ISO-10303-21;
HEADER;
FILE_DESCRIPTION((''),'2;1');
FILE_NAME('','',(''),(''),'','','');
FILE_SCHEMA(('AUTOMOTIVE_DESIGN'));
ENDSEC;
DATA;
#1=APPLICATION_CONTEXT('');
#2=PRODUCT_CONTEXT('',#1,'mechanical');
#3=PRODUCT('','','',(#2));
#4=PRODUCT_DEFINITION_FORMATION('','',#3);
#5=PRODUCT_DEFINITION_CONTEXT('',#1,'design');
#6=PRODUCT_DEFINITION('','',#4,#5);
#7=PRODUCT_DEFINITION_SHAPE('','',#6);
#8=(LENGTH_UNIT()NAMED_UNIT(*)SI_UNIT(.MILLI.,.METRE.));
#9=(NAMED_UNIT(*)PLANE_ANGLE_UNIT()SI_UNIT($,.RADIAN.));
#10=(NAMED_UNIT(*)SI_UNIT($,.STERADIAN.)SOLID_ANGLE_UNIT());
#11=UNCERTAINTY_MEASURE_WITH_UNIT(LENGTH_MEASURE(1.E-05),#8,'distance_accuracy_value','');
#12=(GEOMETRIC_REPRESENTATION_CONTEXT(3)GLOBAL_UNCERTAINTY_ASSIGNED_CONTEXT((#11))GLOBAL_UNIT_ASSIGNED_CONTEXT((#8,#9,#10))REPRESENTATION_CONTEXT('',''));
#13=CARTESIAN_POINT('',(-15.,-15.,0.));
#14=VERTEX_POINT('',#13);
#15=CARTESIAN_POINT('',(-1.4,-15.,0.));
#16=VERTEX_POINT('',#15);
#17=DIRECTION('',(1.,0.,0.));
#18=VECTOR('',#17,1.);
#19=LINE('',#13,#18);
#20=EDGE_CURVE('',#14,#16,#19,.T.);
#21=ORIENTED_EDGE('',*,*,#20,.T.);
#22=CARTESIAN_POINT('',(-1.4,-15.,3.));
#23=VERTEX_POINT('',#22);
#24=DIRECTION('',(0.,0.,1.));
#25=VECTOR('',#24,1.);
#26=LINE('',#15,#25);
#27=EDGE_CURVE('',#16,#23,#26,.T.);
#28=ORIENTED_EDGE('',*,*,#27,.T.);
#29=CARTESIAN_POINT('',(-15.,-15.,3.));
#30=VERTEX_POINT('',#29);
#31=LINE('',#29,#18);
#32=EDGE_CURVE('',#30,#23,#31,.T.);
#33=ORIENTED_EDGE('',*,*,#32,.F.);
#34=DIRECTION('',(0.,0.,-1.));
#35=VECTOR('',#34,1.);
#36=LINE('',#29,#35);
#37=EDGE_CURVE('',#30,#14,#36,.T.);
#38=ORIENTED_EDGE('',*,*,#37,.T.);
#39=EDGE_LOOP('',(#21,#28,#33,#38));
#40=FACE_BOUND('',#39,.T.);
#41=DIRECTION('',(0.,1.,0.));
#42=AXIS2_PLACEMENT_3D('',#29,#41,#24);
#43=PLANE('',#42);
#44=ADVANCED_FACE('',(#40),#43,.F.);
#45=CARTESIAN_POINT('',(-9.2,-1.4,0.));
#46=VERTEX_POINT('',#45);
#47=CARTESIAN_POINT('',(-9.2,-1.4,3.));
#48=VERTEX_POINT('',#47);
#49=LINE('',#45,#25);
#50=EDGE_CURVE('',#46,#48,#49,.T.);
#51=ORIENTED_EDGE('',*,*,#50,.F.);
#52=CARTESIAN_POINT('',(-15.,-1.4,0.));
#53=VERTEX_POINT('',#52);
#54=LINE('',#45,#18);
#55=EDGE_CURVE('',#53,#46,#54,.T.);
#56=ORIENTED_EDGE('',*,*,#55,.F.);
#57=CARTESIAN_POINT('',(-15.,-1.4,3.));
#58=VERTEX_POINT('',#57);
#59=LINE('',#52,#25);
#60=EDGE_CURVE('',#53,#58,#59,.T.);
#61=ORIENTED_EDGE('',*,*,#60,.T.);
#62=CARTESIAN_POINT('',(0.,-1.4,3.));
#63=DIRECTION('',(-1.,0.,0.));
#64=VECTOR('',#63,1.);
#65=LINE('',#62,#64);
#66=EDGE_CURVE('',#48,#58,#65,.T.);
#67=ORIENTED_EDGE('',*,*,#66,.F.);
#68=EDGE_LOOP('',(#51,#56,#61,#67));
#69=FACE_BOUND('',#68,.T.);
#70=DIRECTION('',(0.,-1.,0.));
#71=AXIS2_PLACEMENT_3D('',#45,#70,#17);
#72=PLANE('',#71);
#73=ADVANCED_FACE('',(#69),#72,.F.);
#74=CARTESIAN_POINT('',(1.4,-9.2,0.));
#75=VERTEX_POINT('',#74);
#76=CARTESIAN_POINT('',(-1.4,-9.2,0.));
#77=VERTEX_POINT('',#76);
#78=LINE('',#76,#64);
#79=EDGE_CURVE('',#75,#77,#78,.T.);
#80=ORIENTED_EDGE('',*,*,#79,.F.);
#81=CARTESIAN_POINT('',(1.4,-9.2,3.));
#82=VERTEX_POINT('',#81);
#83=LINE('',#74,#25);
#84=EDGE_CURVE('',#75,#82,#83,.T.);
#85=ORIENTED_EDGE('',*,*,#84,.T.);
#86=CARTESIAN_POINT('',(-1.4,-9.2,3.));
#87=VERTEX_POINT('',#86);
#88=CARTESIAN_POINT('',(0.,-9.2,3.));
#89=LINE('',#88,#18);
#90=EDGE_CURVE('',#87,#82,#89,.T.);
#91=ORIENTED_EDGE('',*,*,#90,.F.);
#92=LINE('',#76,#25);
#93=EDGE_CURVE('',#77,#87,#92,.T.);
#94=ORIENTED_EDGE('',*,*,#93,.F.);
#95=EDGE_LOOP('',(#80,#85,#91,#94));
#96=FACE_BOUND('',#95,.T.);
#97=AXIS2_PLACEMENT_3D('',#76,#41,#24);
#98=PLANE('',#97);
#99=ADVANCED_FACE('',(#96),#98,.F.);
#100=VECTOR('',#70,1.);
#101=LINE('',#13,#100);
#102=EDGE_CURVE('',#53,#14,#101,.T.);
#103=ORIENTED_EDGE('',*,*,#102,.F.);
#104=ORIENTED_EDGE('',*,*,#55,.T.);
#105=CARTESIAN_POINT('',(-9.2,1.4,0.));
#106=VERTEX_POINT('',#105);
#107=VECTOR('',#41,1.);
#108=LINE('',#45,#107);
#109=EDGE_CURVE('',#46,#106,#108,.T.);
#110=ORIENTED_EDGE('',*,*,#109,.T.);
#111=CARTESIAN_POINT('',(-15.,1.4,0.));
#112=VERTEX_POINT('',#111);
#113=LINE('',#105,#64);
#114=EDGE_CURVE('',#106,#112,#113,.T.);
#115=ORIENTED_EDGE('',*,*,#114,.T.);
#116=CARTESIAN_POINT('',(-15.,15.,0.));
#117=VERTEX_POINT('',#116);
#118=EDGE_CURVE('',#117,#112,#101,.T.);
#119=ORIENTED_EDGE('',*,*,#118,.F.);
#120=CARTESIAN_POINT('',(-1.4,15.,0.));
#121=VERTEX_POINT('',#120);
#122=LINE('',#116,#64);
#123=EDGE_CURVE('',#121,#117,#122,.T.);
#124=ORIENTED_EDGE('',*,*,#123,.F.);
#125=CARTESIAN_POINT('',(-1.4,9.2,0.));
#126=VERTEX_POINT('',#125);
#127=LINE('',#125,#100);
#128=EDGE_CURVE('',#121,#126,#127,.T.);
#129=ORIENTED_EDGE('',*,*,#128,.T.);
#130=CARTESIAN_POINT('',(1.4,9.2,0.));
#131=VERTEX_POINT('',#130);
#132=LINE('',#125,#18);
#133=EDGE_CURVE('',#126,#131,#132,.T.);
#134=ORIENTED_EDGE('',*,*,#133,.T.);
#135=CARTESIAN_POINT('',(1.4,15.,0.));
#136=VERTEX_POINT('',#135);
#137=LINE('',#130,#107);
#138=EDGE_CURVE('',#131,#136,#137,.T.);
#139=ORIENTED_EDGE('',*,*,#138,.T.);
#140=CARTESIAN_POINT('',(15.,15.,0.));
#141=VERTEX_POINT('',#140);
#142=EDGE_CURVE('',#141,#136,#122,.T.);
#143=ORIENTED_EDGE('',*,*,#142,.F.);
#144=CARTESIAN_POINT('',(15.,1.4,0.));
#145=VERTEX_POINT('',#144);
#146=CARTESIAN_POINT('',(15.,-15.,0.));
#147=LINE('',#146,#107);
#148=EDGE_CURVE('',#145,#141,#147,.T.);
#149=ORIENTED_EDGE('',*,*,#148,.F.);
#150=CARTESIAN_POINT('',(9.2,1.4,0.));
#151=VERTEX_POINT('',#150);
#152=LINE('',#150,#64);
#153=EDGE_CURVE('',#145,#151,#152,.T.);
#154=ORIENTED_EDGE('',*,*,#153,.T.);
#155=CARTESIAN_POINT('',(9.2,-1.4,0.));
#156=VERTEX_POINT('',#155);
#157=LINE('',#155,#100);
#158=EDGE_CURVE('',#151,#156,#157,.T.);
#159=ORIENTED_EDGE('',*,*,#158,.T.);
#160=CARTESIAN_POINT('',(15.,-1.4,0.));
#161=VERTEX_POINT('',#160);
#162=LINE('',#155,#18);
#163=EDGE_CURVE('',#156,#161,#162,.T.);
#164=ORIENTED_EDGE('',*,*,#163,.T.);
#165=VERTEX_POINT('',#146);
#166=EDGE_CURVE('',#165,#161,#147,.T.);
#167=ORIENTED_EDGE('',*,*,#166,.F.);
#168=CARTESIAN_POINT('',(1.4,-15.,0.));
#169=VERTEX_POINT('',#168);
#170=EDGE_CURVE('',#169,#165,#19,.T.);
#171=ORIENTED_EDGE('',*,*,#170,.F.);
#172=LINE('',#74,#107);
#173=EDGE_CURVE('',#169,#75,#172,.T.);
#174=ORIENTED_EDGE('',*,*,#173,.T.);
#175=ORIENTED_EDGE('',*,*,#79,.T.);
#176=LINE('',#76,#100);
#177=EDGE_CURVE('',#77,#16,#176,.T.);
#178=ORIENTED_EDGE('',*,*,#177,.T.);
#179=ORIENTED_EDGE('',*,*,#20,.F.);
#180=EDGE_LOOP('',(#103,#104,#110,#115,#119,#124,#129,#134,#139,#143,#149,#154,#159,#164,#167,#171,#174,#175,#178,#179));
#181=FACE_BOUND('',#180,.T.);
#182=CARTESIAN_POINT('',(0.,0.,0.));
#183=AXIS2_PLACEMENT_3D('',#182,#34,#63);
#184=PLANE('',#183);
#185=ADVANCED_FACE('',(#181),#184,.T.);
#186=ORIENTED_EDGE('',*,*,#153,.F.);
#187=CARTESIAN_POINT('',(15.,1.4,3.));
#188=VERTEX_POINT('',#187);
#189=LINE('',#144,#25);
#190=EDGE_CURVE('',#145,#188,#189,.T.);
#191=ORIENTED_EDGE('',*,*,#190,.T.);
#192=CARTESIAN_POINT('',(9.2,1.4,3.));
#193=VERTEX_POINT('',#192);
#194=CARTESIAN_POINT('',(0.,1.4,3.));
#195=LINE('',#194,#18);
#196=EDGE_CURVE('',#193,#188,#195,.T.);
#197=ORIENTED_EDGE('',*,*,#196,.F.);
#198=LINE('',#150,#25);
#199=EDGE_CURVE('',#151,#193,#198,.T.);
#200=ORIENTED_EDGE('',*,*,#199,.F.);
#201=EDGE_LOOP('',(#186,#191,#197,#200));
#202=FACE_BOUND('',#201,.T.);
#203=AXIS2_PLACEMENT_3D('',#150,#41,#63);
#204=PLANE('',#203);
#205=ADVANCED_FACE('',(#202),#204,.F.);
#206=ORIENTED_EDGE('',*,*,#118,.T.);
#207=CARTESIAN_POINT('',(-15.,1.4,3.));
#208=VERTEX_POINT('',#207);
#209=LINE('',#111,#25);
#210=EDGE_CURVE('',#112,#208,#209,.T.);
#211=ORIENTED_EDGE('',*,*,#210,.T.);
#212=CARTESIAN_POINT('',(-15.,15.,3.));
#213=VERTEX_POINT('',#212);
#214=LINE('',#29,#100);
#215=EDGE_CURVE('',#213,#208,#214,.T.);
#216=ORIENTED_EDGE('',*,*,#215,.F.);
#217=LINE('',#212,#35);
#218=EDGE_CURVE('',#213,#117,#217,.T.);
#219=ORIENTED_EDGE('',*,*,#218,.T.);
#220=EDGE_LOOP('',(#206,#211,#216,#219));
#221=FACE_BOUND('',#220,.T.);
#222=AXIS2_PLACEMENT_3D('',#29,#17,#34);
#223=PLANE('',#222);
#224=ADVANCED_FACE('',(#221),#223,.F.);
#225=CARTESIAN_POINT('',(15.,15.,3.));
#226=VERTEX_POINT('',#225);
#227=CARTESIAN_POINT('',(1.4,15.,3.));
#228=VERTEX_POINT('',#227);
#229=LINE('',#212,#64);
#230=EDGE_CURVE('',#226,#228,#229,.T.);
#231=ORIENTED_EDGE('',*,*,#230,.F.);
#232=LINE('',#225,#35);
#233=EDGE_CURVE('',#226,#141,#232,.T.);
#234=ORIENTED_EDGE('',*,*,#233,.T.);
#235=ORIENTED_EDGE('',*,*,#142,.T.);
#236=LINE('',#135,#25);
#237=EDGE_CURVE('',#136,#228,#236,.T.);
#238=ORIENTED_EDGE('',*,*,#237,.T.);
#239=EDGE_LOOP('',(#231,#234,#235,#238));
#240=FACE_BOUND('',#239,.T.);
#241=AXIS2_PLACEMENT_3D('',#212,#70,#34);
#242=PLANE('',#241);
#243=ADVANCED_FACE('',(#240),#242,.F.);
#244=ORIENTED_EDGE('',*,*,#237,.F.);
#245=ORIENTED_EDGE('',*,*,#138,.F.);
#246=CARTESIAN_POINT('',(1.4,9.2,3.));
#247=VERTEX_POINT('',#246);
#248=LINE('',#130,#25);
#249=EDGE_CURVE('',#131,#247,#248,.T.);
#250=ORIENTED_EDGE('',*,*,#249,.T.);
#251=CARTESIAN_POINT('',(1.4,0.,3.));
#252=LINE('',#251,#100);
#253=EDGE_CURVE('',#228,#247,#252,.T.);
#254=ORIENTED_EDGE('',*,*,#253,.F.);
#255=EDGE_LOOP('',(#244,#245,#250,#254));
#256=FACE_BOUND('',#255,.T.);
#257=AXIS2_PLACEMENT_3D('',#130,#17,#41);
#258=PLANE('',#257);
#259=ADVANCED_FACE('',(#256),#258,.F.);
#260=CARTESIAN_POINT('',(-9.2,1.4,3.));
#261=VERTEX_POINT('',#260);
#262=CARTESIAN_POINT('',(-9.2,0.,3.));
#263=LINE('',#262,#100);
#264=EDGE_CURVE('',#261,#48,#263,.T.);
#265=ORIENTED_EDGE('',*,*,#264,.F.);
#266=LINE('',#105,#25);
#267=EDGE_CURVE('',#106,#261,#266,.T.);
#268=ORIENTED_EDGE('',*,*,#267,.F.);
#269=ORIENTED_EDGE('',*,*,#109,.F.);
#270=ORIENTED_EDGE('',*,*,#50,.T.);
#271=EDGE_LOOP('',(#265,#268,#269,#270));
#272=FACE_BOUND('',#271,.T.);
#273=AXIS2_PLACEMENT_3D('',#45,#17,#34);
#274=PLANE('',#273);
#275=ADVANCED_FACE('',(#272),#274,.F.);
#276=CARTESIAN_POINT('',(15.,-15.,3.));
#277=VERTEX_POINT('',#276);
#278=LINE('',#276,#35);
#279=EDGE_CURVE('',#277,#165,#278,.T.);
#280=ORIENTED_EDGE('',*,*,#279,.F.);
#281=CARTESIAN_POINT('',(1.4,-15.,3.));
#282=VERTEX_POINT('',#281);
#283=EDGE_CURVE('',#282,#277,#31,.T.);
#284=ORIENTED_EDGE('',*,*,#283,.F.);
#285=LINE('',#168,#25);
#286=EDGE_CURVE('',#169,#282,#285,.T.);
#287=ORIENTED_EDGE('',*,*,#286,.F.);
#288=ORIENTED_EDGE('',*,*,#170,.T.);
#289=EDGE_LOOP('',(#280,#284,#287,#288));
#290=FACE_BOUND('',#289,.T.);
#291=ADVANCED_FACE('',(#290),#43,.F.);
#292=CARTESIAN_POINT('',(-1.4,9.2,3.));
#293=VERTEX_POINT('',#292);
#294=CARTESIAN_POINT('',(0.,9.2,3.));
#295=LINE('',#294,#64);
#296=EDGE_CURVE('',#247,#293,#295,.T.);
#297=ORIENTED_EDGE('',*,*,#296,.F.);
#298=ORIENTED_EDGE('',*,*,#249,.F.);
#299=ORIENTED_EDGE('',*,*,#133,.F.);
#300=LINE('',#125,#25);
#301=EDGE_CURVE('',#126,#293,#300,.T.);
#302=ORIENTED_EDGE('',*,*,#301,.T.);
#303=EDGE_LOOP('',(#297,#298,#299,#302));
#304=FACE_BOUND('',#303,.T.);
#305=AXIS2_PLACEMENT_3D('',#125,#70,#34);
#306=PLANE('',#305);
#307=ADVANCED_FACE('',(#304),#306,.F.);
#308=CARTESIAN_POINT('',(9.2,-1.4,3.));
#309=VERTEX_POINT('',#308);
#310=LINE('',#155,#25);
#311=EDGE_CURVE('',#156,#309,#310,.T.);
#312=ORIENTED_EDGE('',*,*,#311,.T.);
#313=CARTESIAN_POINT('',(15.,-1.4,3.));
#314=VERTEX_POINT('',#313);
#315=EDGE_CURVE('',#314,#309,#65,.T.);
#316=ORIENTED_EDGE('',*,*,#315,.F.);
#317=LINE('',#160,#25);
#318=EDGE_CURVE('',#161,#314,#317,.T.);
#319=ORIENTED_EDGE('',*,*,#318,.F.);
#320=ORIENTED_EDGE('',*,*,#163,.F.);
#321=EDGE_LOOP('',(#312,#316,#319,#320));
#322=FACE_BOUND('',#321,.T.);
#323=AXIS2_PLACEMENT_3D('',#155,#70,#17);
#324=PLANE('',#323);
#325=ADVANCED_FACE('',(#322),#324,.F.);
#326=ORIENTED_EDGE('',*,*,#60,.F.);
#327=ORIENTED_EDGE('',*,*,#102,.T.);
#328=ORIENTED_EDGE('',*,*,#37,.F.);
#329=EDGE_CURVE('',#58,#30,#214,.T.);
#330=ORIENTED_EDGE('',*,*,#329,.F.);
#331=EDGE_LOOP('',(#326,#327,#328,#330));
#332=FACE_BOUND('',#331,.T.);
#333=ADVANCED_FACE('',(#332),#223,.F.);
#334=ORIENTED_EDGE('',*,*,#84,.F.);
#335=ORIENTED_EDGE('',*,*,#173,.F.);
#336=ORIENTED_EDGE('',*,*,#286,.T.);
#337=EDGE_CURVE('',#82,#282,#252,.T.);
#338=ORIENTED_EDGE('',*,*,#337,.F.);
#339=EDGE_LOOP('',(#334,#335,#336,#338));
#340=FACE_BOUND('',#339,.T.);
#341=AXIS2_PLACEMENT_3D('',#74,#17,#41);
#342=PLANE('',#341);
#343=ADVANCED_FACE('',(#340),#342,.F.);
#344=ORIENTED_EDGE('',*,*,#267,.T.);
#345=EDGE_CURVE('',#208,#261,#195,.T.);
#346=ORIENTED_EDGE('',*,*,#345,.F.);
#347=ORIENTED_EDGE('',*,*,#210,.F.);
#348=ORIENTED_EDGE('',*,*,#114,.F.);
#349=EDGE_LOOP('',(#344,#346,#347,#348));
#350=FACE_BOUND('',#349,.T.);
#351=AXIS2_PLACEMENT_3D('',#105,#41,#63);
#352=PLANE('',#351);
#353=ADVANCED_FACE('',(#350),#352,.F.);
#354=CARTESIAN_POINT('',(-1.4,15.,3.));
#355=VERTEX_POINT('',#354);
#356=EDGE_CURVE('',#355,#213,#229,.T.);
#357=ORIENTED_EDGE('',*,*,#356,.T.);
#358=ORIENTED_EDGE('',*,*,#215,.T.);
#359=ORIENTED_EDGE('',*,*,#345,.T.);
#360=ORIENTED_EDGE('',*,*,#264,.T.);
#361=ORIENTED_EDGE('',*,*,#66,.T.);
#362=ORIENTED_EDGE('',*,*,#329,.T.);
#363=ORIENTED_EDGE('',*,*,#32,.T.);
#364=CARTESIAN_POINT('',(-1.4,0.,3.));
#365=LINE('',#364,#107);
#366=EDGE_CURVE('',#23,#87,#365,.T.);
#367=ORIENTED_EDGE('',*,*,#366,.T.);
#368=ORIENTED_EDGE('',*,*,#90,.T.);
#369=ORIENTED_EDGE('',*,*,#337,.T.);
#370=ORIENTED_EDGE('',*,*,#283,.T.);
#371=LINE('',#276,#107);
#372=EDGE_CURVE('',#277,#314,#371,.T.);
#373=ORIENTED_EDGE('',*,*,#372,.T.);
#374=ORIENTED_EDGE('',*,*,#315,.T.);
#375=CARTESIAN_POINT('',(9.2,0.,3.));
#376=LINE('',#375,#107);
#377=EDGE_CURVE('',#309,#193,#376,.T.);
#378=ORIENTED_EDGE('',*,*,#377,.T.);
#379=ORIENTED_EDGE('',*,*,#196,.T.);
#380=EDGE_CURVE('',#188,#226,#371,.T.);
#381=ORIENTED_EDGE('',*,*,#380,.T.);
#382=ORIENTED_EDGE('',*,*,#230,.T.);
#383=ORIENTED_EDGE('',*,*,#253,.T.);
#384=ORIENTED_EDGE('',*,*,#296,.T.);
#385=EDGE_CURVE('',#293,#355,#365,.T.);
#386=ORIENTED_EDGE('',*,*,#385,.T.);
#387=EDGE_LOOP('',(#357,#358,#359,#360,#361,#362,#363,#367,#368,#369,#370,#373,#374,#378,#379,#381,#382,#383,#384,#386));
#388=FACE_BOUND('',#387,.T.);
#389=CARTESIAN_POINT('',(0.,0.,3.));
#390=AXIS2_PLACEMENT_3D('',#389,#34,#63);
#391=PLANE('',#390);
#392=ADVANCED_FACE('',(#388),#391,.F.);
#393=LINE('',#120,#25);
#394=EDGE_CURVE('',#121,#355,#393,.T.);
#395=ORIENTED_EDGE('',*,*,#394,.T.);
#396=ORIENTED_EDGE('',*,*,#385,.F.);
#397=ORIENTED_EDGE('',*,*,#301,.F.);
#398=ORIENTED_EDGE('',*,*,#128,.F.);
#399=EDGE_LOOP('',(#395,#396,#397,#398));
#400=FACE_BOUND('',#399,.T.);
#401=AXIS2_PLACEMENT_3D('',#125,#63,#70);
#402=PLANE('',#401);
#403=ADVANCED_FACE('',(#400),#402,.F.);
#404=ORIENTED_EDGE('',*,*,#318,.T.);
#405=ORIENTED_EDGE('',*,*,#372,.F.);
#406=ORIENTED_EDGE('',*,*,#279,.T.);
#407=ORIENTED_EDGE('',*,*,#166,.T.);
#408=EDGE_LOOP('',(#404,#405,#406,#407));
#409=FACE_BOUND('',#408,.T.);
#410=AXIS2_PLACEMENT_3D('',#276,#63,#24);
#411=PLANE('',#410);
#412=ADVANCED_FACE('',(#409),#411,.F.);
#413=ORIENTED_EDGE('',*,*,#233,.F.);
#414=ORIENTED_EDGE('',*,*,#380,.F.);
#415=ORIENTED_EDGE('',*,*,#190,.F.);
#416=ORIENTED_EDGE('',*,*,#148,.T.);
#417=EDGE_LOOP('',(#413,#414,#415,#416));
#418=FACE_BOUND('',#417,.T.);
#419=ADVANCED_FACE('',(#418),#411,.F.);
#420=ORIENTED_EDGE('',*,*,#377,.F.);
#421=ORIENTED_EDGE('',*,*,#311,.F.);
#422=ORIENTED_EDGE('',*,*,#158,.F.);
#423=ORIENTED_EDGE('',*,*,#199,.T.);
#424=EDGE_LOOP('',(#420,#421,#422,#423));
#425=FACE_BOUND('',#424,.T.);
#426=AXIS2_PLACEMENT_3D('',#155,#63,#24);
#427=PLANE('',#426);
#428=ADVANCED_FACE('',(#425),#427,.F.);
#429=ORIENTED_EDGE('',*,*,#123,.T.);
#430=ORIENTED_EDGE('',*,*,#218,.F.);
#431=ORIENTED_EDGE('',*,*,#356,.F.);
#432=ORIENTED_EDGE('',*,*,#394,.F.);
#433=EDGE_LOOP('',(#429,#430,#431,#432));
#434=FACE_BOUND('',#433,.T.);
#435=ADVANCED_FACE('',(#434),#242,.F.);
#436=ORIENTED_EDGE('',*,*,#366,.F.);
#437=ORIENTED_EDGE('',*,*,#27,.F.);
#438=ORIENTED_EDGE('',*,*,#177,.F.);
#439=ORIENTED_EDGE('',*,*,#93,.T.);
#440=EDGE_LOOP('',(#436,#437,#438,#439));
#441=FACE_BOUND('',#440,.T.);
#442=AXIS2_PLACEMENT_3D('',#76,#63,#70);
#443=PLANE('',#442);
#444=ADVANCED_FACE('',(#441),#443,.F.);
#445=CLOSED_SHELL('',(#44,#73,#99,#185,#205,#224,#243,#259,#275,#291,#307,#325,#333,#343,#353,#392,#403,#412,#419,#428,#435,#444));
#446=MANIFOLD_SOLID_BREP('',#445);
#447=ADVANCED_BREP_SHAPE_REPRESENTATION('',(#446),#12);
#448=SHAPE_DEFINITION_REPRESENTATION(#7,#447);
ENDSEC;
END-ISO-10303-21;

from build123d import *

# Parameters (mm, degrees)
SKETCH1_W               = 30
SKETCH1_H               = 30
BOSS_EXTRUDE1_DEPTH     = 3
SKETCH2_W               = 2.8
SKETCH2_H               = 5.8
SKETCH2_W_2             = 5.8
SKETCH2_H_2             = 2.8
CUT_EXTRUDE1_DEPTH      = 1
CUT_EXTRUDE1_DEPTH_BACK = 4


with BuildPart() as part:
    # Sketch1 → Boss-Extrude1 (new body)
    with BuildSketch(Plane.XY):
        Rectangle(SKETCH1_W, SKETCH1_H)
    extrude(amount=BOSS_EXTRUDE1_DEPTH)

    # Sketch2 → Cut-Extrude1 (cut, two sides)
    with BuildSketch(Plane.XY.offset(3)) as cut_extrude1_sk:
        with Locations((0, 12.1)):
            Rectangle(SKETCH2_W, SKETCH2_H)
        with Locations((0, -12.1)):
            Rectangle(SKETCH2_W, SKETCH2_H)
        with Locations((-12.1, 0)):
            Rectangle(SKETCH2_W_2, SKETCH2_H_2)
        with Locations((12.1, 0)):
            Rectangle(SKETCH2_W_2, SKETCH2_H_2)
    extrude(amount=CUT_EXTRUDE1_DEPTH, mode=Mode.SUBTRACT)
    extrude(cut_extrude1_sk.sketch, amount=-CUT_EXTRUDE1_DEPTH_BACK, mode=Mode.SUBTRACT)


solid = part.part
